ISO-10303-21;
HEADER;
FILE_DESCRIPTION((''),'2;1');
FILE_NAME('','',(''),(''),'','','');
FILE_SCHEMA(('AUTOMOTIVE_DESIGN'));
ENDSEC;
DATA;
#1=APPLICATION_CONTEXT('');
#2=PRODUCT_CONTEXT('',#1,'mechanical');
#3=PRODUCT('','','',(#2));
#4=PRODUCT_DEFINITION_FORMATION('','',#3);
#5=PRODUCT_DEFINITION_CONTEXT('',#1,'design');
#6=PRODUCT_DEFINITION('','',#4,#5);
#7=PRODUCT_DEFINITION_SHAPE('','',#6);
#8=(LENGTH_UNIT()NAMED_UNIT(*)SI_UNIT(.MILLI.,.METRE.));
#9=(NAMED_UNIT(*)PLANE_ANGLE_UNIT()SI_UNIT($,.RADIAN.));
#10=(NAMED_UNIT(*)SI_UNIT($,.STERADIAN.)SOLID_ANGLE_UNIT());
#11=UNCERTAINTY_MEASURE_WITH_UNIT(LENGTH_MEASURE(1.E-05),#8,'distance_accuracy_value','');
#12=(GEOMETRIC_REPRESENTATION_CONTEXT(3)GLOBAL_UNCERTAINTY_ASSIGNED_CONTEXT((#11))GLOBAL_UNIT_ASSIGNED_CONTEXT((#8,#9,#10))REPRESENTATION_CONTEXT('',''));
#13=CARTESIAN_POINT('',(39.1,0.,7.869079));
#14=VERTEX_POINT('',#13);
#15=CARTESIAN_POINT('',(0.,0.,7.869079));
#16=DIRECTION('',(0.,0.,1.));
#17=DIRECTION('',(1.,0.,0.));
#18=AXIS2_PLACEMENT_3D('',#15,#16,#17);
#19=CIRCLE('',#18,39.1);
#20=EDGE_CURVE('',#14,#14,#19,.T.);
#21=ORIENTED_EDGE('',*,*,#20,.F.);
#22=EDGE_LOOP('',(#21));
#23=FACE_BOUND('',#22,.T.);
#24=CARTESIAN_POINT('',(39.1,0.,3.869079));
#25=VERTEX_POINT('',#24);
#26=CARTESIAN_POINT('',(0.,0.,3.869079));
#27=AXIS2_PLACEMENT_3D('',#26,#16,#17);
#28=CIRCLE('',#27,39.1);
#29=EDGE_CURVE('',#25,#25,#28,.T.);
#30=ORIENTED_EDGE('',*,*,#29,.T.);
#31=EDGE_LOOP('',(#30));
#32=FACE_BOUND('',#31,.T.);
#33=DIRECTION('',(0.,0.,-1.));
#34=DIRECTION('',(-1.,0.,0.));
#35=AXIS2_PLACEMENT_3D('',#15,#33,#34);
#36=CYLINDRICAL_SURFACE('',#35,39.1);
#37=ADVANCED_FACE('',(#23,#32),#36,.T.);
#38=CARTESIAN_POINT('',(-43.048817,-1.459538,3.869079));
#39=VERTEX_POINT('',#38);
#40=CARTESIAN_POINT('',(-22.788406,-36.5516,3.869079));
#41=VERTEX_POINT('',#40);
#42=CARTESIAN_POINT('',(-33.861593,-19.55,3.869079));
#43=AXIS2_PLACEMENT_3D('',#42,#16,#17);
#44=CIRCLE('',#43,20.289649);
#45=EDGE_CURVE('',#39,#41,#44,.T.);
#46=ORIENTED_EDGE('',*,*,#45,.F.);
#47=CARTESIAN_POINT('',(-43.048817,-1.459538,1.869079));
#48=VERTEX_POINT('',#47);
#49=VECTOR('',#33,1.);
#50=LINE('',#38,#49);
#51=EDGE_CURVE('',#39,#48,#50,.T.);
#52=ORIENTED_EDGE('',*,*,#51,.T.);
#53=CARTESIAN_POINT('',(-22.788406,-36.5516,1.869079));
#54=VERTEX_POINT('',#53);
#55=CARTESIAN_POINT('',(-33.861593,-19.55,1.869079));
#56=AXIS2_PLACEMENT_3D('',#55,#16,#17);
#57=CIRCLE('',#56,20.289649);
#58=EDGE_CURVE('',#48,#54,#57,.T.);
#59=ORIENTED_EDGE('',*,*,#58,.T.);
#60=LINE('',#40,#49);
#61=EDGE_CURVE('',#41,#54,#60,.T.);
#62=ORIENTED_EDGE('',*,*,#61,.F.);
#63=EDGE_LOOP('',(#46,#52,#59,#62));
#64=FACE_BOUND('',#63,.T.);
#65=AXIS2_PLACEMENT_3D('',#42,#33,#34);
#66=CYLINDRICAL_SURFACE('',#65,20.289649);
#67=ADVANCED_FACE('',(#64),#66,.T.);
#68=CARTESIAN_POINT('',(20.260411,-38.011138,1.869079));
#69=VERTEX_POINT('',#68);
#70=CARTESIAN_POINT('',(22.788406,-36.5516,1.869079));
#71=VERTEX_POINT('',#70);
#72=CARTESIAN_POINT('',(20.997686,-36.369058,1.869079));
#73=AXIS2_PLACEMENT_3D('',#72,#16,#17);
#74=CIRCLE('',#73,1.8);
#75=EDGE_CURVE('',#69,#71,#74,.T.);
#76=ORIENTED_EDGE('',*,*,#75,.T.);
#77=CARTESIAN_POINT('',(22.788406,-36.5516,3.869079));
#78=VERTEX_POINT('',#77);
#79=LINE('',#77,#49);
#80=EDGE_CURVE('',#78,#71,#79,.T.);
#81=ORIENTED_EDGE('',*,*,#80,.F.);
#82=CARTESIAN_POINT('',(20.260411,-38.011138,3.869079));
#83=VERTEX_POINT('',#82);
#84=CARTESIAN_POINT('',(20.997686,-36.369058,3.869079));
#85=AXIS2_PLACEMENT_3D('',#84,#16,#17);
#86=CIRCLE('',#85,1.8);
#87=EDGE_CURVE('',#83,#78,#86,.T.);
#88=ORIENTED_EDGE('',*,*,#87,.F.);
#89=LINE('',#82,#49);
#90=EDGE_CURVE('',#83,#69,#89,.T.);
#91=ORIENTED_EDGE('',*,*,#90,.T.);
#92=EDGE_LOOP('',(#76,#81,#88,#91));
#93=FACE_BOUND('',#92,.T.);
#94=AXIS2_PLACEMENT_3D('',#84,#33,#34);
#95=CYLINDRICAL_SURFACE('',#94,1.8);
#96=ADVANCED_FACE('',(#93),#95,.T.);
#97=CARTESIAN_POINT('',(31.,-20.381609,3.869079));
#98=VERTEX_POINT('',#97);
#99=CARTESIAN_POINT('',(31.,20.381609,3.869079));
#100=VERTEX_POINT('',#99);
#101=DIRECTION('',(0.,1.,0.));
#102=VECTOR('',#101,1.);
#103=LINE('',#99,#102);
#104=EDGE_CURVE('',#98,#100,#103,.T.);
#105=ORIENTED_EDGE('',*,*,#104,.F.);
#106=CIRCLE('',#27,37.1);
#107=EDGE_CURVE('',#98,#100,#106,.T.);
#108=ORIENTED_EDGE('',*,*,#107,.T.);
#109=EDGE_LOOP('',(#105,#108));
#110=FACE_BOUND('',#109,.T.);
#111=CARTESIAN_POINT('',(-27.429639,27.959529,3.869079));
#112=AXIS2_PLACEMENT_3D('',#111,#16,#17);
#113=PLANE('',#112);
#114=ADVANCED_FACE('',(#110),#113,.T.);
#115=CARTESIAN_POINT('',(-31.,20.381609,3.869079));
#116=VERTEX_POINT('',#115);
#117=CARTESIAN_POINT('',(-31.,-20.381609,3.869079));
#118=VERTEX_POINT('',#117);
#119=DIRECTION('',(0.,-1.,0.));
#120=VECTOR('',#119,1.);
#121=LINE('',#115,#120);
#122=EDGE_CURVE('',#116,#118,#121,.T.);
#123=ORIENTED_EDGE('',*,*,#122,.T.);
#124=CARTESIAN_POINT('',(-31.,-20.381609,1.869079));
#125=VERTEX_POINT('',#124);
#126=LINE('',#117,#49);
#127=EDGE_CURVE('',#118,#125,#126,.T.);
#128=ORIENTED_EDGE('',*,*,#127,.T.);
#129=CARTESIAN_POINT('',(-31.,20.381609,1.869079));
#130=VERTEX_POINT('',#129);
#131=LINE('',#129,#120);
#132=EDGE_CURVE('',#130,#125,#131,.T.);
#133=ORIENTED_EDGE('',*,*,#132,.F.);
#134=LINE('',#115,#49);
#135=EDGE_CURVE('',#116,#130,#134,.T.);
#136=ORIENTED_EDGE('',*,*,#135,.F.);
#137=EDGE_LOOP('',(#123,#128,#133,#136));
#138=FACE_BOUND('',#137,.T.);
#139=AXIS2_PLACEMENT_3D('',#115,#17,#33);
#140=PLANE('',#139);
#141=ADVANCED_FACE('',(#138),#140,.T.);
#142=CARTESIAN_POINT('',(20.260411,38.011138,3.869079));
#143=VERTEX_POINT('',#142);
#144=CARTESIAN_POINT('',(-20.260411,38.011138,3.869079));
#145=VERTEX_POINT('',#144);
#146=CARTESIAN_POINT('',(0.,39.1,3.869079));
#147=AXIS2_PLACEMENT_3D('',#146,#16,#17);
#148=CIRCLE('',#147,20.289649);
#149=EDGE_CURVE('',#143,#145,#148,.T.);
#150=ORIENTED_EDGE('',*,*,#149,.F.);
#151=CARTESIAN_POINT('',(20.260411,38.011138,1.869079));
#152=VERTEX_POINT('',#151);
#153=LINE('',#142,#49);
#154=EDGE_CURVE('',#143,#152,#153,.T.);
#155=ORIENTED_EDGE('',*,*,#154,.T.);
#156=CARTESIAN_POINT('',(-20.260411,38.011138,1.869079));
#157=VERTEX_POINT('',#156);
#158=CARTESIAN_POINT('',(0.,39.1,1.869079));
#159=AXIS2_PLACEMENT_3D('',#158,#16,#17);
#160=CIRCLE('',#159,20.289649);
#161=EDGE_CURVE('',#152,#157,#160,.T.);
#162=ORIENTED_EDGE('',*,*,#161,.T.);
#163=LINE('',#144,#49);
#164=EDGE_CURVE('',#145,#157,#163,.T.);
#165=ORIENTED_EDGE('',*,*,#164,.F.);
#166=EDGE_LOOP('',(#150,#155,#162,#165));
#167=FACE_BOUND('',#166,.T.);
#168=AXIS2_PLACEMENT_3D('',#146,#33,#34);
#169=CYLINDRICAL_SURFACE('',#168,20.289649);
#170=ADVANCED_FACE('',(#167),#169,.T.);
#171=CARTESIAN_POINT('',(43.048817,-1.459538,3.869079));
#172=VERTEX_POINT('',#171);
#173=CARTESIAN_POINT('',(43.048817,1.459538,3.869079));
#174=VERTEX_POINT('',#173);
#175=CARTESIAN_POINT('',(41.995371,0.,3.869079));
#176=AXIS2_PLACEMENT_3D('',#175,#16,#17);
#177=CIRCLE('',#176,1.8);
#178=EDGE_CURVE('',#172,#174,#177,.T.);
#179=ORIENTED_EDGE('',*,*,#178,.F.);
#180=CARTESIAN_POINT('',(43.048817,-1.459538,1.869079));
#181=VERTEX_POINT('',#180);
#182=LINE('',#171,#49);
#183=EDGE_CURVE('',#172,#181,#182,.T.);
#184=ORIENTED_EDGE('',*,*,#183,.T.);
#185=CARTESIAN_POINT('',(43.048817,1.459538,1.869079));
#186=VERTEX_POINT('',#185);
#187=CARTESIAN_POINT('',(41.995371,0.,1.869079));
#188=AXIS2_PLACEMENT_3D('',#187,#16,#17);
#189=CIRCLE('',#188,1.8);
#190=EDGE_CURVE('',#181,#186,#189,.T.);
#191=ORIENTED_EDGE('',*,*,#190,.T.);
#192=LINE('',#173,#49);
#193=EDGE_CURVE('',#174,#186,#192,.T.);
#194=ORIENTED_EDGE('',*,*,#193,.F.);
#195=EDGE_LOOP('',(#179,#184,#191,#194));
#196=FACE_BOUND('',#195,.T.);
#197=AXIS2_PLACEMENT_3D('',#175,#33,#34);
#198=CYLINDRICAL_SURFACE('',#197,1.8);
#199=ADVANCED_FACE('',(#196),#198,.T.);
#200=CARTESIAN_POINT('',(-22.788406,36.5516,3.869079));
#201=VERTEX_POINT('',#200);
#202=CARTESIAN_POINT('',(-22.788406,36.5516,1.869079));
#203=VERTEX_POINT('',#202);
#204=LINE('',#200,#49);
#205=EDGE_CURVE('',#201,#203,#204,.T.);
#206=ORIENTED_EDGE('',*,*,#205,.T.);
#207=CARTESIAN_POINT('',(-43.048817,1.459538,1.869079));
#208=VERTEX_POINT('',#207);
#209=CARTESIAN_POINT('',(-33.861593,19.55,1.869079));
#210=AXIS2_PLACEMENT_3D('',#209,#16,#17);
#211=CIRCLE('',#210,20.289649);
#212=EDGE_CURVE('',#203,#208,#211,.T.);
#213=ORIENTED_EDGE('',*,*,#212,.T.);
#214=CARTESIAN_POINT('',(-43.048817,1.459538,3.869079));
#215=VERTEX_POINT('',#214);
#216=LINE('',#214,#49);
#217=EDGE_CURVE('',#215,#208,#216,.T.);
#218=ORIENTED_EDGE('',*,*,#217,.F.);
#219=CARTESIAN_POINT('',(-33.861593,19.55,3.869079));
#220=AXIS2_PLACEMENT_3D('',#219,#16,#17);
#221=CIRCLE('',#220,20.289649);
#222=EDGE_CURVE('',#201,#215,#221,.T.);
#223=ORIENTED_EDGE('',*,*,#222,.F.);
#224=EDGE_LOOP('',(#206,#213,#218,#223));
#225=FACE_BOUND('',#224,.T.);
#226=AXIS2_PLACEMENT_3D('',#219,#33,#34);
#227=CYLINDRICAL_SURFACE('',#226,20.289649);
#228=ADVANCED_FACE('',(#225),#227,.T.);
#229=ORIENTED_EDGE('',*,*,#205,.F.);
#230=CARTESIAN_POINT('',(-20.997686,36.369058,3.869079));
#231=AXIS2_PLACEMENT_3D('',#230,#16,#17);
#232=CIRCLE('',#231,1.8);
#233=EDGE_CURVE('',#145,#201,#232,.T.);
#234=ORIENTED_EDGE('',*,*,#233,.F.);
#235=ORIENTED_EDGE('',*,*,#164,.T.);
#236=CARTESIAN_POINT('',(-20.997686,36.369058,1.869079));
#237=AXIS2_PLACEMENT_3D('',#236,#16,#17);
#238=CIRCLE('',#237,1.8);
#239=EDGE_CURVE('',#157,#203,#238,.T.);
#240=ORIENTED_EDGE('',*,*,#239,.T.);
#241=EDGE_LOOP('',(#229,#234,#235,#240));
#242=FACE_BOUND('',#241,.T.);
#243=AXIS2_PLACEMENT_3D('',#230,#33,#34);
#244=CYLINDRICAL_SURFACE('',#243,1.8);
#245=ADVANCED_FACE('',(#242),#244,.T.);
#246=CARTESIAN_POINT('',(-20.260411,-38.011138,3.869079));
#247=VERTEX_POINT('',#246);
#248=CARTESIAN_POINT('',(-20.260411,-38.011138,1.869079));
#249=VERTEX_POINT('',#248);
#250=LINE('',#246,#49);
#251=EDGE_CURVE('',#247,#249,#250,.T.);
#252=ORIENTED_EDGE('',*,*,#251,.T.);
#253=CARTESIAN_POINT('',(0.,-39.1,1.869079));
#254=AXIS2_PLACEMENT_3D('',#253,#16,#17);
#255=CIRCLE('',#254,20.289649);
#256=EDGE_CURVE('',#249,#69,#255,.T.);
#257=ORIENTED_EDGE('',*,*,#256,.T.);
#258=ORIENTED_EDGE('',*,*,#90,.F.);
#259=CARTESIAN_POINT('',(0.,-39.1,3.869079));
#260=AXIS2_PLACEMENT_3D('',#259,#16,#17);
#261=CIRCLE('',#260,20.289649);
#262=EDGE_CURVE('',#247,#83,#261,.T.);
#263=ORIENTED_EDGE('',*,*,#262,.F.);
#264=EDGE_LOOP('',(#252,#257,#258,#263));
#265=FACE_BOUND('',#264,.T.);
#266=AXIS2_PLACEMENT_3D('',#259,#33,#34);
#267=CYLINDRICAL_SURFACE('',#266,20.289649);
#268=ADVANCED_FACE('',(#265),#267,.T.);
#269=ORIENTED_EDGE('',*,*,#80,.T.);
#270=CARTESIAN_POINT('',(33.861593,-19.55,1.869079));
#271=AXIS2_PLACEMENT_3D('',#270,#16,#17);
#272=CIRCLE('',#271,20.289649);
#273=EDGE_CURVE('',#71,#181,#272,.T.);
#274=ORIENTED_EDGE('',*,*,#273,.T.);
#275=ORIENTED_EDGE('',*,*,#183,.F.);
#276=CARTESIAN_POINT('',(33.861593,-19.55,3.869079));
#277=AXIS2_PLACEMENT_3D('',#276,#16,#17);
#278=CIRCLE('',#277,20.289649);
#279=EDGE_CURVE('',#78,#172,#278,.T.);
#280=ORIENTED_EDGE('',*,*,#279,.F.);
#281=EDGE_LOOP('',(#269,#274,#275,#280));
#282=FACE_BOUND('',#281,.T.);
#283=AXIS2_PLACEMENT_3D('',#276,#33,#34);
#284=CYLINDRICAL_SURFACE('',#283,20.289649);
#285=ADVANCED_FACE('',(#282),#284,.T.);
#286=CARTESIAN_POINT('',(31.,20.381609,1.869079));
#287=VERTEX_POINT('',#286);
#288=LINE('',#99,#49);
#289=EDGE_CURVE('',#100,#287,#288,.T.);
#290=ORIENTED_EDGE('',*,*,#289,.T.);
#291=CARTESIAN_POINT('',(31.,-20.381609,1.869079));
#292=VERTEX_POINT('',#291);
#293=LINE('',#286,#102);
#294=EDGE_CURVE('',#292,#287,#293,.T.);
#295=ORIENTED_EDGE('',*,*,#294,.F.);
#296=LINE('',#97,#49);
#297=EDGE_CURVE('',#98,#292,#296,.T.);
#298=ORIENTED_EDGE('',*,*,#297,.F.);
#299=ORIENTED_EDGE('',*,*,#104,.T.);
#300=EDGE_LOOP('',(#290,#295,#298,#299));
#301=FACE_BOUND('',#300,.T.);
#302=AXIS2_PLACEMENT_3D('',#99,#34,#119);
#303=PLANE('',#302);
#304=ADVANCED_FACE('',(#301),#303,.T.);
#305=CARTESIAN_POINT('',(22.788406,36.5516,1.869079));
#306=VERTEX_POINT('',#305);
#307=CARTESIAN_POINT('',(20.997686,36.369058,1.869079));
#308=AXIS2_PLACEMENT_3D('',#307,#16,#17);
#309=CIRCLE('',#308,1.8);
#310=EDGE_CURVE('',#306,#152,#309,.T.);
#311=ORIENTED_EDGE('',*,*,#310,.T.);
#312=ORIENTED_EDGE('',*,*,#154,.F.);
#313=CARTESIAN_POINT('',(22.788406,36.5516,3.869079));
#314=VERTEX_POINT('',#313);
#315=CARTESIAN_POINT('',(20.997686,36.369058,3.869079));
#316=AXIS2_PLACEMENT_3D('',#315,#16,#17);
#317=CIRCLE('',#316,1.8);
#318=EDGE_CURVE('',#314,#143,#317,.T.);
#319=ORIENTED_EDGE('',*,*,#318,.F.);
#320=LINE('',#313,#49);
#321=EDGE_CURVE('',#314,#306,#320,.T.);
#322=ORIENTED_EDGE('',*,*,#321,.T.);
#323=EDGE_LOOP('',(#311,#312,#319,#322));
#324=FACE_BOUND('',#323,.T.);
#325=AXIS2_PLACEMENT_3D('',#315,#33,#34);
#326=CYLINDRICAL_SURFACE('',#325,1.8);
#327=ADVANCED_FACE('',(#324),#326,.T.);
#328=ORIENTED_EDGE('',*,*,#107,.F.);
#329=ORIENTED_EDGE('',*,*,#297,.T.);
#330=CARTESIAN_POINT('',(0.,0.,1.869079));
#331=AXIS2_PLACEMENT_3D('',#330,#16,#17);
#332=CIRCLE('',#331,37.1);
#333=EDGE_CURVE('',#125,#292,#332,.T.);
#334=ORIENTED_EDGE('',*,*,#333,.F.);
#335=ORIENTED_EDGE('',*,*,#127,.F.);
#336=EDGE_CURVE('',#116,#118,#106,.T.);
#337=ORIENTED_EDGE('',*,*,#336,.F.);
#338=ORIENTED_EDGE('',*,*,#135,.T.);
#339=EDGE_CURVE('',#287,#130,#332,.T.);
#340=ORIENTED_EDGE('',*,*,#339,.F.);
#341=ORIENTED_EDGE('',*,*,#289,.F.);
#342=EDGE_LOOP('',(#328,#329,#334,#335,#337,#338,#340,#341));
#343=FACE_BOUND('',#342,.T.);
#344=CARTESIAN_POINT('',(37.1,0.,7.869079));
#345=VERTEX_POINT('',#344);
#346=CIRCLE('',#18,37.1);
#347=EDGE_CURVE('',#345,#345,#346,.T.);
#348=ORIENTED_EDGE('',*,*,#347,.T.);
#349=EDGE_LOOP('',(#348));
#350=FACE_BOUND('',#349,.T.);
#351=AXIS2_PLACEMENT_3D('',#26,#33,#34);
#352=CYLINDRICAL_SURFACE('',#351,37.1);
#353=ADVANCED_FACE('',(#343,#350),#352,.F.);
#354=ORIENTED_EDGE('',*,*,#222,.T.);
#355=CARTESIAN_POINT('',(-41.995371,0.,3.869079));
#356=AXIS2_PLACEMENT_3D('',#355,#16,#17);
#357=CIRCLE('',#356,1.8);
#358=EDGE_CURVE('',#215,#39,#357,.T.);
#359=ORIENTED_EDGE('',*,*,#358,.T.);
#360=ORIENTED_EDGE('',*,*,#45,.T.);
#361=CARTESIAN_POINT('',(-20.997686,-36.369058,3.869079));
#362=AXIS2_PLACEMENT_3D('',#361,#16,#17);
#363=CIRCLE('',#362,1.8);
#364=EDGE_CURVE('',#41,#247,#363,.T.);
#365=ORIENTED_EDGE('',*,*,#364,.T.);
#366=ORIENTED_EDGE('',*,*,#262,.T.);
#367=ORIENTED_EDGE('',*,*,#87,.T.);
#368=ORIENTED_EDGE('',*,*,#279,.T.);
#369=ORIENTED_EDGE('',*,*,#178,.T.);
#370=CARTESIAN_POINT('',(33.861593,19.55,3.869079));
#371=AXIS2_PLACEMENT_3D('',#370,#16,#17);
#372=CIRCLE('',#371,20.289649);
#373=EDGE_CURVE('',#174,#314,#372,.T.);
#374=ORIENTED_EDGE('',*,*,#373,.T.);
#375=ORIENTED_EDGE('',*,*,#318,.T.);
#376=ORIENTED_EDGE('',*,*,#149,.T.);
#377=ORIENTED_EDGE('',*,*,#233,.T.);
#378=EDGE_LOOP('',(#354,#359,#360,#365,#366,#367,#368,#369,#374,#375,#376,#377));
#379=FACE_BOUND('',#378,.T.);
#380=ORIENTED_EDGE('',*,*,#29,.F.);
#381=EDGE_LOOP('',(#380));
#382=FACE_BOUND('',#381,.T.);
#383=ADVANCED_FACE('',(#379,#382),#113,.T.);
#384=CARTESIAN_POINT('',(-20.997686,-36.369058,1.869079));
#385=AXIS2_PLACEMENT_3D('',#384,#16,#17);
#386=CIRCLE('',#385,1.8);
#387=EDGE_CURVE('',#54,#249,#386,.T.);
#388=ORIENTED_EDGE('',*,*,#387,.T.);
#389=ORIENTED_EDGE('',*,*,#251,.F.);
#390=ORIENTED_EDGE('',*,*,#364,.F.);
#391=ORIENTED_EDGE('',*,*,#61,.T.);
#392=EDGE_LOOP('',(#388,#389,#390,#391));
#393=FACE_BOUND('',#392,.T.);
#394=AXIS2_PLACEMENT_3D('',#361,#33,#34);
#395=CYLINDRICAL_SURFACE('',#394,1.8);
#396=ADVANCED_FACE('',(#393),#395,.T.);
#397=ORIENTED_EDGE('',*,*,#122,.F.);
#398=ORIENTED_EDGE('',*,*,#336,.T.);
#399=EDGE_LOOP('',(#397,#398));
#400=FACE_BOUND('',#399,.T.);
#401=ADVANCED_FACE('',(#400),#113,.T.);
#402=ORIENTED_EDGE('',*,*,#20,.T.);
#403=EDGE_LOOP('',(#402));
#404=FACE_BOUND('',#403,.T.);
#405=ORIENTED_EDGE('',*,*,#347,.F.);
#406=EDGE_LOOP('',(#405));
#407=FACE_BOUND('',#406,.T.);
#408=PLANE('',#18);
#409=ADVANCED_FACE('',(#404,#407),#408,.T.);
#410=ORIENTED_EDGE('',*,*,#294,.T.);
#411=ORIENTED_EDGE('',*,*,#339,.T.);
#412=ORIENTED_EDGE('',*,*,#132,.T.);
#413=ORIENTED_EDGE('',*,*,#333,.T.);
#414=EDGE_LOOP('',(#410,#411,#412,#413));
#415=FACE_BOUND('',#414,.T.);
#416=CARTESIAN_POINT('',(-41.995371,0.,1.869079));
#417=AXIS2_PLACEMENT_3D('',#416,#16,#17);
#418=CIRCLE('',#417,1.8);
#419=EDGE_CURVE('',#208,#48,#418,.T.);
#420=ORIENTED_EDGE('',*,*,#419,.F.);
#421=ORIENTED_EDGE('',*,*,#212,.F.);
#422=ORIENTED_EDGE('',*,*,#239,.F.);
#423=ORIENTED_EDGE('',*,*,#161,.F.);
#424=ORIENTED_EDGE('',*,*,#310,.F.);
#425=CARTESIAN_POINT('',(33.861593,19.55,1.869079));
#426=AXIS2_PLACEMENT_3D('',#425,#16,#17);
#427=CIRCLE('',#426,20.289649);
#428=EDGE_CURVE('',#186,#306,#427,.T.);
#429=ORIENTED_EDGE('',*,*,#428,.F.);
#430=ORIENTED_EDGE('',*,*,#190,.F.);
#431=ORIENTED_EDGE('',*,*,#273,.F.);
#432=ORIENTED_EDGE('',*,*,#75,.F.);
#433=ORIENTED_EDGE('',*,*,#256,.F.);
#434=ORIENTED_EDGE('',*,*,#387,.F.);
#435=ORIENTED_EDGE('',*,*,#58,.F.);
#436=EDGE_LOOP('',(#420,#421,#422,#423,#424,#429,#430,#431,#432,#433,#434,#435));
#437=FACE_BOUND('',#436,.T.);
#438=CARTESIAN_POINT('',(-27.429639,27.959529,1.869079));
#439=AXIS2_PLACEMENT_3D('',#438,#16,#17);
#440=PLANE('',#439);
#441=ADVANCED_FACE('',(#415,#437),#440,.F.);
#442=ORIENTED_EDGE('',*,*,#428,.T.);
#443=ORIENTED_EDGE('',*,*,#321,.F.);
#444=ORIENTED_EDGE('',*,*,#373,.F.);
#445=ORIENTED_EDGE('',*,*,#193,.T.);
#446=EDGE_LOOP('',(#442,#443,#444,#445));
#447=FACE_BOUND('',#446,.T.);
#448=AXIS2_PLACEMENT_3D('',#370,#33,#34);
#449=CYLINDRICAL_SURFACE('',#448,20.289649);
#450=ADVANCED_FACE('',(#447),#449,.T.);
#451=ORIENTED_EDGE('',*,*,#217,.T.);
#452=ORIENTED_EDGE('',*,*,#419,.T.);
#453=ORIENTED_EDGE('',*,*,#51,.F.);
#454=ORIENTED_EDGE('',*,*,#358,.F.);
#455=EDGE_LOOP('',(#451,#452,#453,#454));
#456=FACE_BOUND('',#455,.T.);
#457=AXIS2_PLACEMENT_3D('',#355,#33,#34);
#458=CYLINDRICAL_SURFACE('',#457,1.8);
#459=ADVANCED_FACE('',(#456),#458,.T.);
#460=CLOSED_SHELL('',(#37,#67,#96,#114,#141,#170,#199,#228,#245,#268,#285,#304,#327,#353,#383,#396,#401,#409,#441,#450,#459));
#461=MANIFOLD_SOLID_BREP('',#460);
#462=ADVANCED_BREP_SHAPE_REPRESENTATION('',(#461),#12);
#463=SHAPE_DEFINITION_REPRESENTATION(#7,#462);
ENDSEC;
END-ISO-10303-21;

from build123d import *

# Parameters (mm, degrees)
BACK_PLATE_DEPTH    = 2
SKETCH3_R           = 39.1
SKETCH3_R_2         = 37.1
BOSS_EXTRUDE2_DEPTH = 4


with BuildPart() as part:
    # Sketch2 → Back Plate (new body)
    with BuildSketch(Plane.XY.offset(1.869079413)):
        with BuildLine():
            ThreePointArc((-22.788405672, 36.551599508), (-51.432945039, 29.694824664), (-43.048816559, 1.45953847))
            ThreePointArc((-43.048816559, 1.45953847), (-43.466528344, 1.037157748), (-43.724007211, 0.501813707))
            ThreePointArc((-43.724007211, 0.501813707), (-43.795371043, 0), (-43.724007211, -0.501813707))
            ThreePointArc((-43.724007211, -0.501813707), (-43.466528344, -1.037157748), (-43.048816559, -1.45953847))
            ThreePointArc((-43.048816559, -1.45953847), (-51.432945039, -29.694824664), (-22.788405672, -36.551599508))
            ThreePointArc((-22.788405672, -36.551599508), (-22.63146913, -37.124538886), (-22.296587024, -37.615194147))
            ThreePointArc((-22.296587024, -37.615194147), (-21.897685521, -37.927903891), (-21.427420187, -38.117007854))
            ThreePointArc((-21.427420187, -38.117007854), (-20.835059214, -38.161696634), (-20.260410887, -38.011137978))
            ThreePointArc((-20.260410887, -38.011137978), (0, -59.389649327), (20.260410887, -38.011137978))
            ThreePointArc((20.260410887, -38.011137978), (20.835059214, -38.161696634), (21.427420187, -38.117007854))
            ThreePointArc((21.427420187, -38.117007854), (21.897685521, -37.927903891), (22.296587024, -37.615194147))
            ThreePointArc((22.296587024, -37.615194147), (22.63146913, -37.124538886), (22.788405672, -36.551599508))
            ThreePointArc((22.788405672, -36.551599508), (51.432945039, -29.694824664), (43.048816559, -1.45953847))
            ThreePointArc((43.048816559, -1.45953847), (43.466528344, -1.037157748), (43.724007211, -0.501813707))
            ThreePointArc((43.724007211, -0.501813707), (43.795371043, 0), (43.724007211, 0.501813707))
            ThreePointArc((43.724007211, 0.501813707), (43.466528344, 1.037157748), (43.048816559, 1.45953847))
            ThreePointArc((43.048816559, 1.45953847), (51.432945039, 29.694824664), (22.788405672, 36.551599508))
            ThreePointArc((22.788405672, 36.551599508), (22.63146913, 37.124538886), (22.296587024, 37.615194147))
            ThreePointArc((22.296587024, 37.615194147), (21.897685521, 37.927903891), (21.427420187, 38.117007854))
            ThreePointArc((21.427420187, 38.117007854), (20.835059214, 38.161696634), (20.260410887, 38.011137978))
            ThreePointArc((20.260410887, 38.011137978), (0, 59.389649327), (-20.260410887, 38.011137978))
            ThreePointArc((-20.260410887, 38.011137978), (-21.897685521, 37.927903891), (-22.788405672, 36.551599508))
        make_face()
        with BuildLine():
            Line((-31, 20.381609357), (-31, -20.381609357))
            ThreePointArc((-31, -20.381609357), (0, -37.1), (31, -20.381609357))
            Line((31, -20.381609357), (31, 20.381609357))
            ThreePointArc((31, 20.381609357), (0, 37.1), (-31, 20.381609357))
        make_face(mode=Mode.SUBTRACT)
    extrude(amount=BACK_PLATE_DEPTH)

    # Sketch3 → Boss-Extrude2 (add)
    with BuildSketch(Plane.XY.offset(3.869079413)):
        Circle(SKETCH3_R)
        with Locations(Location((0, 0, 0), (0, 0, 146.676229541))):
            Circle(SKETCH3_R_2, mode=Mode.SUBTRACT)
    extrude(amount=BOSS_EXTRUDE2_DEPTH)


solid = part.part
